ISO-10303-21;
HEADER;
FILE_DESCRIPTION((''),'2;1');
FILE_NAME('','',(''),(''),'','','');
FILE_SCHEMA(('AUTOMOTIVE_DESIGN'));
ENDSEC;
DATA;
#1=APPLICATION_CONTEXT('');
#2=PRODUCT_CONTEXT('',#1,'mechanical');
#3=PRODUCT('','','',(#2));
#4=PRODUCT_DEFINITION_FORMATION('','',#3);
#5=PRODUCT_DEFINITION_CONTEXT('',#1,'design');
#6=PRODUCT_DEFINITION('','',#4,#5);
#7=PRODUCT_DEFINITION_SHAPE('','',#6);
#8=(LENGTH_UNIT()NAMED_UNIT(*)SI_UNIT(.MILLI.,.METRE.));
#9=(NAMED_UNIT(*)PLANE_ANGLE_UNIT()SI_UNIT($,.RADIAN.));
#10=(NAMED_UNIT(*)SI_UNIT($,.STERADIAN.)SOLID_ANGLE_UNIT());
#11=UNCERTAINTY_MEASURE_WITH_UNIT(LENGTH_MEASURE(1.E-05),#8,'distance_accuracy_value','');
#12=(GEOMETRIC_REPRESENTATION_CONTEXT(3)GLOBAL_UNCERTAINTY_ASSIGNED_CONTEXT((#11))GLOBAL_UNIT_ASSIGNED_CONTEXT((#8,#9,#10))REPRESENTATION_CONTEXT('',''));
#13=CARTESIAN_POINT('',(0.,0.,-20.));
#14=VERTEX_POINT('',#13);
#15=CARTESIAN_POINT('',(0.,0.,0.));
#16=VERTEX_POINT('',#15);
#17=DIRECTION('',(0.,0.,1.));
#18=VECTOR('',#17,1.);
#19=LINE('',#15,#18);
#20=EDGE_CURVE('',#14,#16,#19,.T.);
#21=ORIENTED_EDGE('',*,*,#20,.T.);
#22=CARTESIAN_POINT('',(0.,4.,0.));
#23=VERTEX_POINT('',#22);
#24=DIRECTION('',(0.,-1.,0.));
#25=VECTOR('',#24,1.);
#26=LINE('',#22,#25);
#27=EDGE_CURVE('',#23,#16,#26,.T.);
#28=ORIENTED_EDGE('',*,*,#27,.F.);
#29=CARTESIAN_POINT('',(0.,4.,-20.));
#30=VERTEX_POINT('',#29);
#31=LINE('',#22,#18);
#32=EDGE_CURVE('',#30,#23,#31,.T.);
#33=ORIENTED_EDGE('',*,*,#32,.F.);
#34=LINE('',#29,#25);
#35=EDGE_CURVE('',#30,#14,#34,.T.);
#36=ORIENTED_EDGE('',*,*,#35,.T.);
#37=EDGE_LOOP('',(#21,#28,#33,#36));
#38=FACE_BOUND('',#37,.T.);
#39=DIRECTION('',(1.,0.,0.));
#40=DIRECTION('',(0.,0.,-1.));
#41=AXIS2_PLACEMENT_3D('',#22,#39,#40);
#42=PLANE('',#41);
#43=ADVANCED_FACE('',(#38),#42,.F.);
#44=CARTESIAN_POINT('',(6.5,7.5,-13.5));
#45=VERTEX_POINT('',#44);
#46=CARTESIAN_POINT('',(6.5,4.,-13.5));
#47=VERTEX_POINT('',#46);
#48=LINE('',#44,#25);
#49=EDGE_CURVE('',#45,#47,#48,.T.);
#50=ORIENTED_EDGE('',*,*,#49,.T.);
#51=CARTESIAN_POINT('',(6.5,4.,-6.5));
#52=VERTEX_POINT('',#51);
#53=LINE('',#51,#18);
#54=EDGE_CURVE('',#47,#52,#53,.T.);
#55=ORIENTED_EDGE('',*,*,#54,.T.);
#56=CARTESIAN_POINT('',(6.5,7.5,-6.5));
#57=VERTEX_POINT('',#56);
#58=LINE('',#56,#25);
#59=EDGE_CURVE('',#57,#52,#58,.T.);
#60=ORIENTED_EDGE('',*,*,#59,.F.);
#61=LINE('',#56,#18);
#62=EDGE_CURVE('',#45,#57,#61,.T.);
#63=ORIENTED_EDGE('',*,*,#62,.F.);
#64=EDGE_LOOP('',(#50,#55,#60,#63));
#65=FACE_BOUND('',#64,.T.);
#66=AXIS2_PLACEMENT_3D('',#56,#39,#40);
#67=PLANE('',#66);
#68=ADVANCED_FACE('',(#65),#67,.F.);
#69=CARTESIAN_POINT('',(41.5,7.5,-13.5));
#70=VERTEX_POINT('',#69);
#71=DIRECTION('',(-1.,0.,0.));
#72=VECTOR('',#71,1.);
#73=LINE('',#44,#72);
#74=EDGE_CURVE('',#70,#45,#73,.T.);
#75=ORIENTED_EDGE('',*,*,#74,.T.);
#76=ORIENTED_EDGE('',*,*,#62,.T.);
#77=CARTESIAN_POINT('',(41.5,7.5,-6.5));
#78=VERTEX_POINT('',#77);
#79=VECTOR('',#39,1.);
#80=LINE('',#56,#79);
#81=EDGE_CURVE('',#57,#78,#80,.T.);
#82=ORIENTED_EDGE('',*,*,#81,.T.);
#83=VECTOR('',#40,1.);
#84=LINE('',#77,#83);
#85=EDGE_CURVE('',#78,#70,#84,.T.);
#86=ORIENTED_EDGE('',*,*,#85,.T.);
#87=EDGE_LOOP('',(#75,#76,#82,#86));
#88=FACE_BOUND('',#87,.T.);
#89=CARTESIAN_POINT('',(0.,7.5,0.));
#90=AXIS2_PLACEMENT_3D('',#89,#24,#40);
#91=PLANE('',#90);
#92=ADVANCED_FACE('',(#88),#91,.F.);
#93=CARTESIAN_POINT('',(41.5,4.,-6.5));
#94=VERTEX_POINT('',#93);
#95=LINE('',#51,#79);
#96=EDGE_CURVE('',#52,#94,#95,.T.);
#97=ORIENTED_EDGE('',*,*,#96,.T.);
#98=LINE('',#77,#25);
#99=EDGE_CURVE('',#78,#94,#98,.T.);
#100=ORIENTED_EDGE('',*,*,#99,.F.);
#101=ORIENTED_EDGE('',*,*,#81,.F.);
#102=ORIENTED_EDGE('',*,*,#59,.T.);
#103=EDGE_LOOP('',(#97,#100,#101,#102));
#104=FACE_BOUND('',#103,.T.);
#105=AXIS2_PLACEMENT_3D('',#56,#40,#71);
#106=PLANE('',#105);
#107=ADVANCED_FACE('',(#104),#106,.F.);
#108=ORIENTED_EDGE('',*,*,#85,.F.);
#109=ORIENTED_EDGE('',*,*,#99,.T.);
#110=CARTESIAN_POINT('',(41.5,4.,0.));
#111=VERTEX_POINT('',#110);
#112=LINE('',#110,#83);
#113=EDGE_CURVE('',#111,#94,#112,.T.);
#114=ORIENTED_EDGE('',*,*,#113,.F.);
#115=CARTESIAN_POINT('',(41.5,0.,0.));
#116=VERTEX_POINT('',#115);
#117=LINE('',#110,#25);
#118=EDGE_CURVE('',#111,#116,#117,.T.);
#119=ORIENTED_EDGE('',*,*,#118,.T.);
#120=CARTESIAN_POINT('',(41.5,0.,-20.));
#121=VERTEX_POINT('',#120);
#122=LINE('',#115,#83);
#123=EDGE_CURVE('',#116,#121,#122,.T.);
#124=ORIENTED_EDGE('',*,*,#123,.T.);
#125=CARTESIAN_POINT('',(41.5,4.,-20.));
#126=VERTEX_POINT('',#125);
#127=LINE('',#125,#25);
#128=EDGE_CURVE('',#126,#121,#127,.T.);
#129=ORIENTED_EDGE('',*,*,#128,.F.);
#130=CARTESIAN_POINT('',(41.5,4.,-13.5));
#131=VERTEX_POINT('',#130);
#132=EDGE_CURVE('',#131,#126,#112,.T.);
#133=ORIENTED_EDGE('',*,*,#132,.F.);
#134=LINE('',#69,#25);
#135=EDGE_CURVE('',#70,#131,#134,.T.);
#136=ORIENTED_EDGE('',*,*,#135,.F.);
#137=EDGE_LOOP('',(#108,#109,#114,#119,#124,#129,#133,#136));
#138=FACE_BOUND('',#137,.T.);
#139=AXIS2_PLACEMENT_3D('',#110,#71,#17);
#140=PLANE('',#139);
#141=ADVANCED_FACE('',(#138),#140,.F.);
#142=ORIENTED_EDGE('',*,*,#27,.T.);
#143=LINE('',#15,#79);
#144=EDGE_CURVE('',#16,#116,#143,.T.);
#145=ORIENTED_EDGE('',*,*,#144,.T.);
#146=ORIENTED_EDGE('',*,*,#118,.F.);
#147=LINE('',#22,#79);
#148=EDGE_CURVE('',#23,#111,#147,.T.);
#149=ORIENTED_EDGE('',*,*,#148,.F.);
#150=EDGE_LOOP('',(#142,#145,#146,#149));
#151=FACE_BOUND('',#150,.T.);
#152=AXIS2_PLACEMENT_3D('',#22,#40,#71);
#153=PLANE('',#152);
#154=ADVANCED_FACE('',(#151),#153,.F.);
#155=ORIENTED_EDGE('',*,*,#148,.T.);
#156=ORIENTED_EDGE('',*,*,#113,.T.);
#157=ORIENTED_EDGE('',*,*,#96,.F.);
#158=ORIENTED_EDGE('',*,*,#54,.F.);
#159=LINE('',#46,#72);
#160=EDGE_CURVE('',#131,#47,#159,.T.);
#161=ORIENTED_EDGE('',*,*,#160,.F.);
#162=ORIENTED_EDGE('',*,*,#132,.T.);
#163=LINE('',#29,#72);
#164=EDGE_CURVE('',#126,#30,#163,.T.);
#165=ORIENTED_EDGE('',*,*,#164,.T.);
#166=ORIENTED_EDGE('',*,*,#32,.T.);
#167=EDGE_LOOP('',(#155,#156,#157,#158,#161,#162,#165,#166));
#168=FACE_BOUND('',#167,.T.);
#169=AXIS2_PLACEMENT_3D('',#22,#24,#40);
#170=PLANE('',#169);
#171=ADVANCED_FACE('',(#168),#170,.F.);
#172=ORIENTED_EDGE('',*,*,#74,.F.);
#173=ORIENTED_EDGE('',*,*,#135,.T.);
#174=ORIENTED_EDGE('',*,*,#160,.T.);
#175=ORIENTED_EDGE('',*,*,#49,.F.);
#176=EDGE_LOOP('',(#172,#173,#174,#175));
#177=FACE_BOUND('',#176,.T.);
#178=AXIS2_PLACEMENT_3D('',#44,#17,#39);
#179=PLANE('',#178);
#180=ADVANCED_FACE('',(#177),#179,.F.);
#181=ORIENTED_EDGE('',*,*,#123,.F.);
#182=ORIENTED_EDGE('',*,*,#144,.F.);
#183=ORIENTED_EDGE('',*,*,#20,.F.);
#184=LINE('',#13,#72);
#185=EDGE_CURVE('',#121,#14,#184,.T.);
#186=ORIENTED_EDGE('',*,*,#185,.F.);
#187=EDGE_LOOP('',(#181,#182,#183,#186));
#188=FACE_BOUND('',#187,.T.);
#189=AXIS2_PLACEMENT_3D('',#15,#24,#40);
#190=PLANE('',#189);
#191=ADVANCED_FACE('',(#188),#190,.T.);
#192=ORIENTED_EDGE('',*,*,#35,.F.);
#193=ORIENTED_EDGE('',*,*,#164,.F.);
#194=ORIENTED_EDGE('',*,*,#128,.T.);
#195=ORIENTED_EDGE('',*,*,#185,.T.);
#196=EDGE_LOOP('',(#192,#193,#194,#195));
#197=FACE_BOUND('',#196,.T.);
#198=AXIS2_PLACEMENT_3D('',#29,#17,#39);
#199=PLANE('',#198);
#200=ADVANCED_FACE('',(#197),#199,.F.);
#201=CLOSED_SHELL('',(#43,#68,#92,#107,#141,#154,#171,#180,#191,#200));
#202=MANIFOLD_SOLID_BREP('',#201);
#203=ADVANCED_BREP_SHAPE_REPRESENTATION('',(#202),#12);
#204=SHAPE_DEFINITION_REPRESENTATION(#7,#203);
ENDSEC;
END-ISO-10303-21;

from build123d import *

# Parameters (mm, degrees)
SKETCH1_W           = 41.5
SKETCH1_H           = 20
BOSS_EXTRUDE1_DEPTH = 4
SKETCH2_W           = 35
SKETCH2_H           = 7
BOSS_EXTRUDE2_DEPTH = 3.5


with BuildPart() as part:
    # Sketch1 → Boss-Extrude1 (new body)
    with BuildSketch(Plane(origin=(0, 0, 0), x_dir=(1, 0, 0), z_dir=(0, 1, 0))):
        with Locations((20.75, 10)):
            Rectangle(SKETCH1_W, SKETCH1_H)
    extrude(amount=BOSS_EXTRUDE1_DEPTH)

    # Sketch2 → Boss-Extrude2 (add)
    with BuildSketch(Plane(origin=(0, 4, 0), x_dir=(1, 0, 0), z_dir=(0, 1, 0))):
        with Locations((24, 10)):
            Rectangle(SKETCH2_W, SKETCH2_H)
    extrude(amount=BOSS_EXTRUDE2_DEPTH)


solid = part.part
